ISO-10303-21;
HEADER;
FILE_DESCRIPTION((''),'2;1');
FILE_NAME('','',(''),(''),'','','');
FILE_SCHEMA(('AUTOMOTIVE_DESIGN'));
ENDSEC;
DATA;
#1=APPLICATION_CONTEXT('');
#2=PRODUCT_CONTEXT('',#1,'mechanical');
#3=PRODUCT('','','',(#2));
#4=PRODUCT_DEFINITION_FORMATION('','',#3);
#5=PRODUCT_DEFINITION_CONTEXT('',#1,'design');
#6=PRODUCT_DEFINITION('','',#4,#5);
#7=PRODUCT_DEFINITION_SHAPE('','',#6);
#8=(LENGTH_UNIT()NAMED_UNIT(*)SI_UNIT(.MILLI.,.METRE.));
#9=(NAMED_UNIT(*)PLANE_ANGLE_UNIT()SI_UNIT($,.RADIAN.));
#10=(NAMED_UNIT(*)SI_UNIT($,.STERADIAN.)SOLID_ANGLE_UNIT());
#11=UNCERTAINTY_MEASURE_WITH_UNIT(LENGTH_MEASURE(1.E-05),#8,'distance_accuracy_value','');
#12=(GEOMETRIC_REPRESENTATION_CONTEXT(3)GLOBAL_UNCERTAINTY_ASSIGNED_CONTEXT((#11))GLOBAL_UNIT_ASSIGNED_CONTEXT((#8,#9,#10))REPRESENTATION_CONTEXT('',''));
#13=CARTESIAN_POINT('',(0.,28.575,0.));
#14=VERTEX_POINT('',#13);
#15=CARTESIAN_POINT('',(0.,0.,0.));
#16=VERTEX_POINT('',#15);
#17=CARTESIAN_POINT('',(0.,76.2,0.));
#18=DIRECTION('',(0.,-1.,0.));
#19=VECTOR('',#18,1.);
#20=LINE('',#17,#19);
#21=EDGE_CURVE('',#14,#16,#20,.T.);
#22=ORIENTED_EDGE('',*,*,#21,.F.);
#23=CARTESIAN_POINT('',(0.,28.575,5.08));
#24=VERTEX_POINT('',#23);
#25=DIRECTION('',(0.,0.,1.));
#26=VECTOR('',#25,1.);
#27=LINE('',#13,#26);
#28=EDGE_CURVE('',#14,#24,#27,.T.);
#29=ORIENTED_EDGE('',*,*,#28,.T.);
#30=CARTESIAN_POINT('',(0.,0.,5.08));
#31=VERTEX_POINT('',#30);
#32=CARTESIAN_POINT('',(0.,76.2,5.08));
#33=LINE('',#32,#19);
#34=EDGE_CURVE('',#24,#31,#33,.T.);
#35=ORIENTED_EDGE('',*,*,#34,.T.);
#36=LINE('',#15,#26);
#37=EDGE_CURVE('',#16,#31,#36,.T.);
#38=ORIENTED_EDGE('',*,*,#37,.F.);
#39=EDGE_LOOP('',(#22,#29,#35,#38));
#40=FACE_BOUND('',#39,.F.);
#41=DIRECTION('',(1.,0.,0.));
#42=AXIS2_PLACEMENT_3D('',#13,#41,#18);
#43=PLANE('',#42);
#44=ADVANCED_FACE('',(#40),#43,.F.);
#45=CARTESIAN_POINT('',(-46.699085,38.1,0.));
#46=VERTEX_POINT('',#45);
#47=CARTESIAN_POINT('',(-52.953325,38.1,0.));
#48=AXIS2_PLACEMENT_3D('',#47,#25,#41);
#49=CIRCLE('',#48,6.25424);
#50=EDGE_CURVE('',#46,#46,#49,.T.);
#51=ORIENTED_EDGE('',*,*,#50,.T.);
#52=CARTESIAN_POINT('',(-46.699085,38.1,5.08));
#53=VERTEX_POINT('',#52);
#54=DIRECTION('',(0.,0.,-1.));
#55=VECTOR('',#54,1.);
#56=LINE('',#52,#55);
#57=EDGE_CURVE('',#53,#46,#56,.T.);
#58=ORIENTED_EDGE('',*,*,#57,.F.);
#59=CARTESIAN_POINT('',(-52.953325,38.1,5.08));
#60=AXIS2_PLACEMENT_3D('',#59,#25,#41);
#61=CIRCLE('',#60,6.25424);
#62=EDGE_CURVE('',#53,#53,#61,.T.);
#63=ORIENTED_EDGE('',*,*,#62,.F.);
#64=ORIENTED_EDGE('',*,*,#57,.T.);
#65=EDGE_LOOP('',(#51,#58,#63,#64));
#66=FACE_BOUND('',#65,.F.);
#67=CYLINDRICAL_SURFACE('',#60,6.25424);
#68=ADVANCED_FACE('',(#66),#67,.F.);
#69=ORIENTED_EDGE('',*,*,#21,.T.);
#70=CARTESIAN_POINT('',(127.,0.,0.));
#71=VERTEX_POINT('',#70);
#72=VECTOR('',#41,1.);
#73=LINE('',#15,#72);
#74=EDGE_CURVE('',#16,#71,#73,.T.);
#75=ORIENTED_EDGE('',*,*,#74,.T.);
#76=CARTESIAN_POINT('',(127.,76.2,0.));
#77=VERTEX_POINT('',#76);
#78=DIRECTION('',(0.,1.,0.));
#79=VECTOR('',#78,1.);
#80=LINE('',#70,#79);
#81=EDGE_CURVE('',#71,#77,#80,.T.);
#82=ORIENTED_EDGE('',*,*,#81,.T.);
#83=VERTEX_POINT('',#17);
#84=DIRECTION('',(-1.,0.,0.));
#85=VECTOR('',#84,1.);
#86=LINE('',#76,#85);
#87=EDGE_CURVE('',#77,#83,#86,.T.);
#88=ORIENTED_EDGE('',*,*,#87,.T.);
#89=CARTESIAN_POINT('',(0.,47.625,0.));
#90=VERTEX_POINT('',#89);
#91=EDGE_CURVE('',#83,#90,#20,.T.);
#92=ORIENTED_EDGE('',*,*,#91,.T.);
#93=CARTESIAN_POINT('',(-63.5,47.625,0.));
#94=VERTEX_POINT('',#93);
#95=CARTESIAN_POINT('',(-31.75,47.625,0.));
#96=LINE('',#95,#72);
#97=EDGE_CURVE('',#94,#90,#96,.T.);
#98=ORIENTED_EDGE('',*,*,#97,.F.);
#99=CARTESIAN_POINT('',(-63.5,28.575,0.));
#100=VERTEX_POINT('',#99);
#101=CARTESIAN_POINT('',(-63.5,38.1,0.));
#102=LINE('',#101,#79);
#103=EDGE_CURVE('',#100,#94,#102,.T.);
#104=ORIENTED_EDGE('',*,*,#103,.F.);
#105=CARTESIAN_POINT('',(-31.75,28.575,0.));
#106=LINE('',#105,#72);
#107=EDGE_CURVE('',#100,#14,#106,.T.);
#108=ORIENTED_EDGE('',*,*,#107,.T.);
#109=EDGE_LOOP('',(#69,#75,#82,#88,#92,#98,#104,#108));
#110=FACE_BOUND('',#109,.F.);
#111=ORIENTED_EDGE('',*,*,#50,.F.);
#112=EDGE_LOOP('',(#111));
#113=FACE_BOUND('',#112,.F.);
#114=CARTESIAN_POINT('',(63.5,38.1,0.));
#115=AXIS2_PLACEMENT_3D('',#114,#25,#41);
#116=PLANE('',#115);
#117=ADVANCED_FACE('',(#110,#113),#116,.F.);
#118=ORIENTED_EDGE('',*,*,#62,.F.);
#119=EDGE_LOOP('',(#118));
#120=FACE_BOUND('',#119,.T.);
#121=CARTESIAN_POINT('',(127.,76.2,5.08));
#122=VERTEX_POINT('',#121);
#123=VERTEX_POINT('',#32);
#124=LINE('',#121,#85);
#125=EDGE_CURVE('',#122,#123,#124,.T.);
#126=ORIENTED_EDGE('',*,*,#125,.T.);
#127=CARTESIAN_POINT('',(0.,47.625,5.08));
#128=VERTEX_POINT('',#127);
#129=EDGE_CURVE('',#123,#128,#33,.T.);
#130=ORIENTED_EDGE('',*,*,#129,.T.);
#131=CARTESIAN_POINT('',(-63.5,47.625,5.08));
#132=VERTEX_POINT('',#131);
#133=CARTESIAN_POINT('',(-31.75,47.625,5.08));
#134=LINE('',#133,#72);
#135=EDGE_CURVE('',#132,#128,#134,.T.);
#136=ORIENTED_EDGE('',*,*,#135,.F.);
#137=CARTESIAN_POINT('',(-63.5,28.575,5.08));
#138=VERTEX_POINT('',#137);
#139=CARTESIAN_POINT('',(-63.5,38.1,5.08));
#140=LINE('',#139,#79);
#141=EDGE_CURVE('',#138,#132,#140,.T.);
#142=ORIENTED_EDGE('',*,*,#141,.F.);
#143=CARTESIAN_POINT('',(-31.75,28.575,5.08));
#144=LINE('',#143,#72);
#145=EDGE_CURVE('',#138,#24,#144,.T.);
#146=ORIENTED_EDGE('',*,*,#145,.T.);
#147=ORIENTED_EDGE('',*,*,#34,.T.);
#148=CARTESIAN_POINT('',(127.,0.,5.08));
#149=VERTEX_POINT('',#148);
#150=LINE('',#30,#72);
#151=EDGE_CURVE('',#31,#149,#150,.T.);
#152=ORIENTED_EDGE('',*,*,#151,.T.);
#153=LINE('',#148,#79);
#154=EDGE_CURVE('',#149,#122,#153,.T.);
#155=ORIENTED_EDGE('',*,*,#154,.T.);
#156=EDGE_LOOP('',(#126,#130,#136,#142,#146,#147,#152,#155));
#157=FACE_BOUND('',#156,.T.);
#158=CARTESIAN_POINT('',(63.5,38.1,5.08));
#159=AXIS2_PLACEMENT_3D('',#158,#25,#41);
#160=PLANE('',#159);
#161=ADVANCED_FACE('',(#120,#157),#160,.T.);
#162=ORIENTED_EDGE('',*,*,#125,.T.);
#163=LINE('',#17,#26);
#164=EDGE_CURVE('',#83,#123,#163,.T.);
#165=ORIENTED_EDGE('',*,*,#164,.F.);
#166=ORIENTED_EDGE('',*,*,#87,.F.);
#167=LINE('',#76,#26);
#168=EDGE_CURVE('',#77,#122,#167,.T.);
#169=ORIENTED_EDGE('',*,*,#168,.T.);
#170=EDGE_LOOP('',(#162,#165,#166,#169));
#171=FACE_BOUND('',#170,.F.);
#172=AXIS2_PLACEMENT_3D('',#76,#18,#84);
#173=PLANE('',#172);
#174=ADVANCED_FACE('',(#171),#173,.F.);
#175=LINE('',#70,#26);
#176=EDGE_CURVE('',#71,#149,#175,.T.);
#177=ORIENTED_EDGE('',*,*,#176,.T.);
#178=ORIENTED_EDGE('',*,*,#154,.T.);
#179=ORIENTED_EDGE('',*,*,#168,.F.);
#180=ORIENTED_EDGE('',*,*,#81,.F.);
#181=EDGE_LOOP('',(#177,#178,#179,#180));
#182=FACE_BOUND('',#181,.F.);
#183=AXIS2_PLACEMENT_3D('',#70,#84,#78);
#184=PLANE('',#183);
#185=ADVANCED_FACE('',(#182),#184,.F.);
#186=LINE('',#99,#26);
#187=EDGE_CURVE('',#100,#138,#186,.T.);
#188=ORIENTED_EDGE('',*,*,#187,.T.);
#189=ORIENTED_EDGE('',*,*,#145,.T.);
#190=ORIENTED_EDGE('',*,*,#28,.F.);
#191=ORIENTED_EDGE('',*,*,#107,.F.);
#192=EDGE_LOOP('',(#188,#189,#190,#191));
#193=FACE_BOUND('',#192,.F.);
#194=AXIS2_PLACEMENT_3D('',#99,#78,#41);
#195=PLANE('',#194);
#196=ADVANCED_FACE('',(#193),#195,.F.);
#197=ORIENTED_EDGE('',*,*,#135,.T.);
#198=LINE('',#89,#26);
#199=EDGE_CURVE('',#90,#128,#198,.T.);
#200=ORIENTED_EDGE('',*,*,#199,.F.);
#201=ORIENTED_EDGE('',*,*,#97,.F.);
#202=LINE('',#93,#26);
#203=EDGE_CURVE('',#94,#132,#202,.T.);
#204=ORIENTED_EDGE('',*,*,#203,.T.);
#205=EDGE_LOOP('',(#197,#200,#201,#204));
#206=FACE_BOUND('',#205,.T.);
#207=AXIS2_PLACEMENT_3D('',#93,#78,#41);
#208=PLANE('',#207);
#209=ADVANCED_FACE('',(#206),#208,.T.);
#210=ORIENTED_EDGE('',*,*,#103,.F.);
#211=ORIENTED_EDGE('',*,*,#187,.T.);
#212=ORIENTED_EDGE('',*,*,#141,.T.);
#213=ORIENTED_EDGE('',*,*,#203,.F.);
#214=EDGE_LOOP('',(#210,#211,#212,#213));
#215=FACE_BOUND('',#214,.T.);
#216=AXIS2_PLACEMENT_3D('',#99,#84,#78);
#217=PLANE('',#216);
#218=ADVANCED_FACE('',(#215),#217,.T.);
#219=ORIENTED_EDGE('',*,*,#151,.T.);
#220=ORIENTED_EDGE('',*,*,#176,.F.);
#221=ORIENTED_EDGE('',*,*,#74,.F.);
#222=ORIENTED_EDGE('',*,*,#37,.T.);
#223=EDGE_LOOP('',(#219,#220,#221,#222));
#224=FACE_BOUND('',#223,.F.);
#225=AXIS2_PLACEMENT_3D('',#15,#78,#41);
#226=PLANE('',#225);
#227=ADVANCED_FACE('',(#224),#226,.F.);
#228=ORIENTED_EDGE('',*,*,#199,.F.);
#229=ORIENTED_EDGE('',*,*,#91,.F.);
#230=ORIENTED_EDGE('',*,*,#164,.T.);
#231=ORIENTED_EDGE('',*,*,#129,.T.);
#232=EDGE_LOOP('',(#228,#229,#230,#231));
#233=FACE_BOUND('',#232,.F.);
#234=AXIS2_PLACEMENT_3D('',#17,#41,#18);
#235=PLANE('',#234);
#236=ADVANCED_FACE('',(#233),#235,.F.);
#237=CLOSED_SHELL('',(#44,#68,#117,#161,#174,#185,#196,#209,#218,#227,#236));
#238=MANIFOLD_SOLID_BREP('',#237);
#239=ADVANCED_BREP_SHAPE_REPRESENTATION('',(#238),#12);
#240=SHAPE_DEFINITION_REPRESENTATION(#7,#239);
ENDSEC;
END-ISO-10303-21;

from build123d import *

# Parameters (mm, degrees)
F0_W     = 63.5
F0_H     = 19.05
F1_DEPTH = 5.08
F2_R     = 6.25424
F3_DEPTH = 25.4


with BuildPart() as f1:
    # F0 (on Top) → F1 (new body)
    with BuildSketch(Plane.XY):
        Polygon((0, 28.575), (0, 0), (127, 0), (127, 76.2), (0, 76.2), (0, 47.625), align=None)
        with Locations((-31.75, 38.1)):
            Rectangle(F0_W, F0_H)
    extrude(amount=F1_DEPTH)

    # F2 (on face) → F3 (cut)
    with BuildSketch(Plane.XY.offset(5.08)):
        with Locations((-52.953325, 38.1)):
            Circle(F2_R)
    extrude(amount=-F3_DEPTH, mode=Mode.SUBTRACT)


solid = f1.part
